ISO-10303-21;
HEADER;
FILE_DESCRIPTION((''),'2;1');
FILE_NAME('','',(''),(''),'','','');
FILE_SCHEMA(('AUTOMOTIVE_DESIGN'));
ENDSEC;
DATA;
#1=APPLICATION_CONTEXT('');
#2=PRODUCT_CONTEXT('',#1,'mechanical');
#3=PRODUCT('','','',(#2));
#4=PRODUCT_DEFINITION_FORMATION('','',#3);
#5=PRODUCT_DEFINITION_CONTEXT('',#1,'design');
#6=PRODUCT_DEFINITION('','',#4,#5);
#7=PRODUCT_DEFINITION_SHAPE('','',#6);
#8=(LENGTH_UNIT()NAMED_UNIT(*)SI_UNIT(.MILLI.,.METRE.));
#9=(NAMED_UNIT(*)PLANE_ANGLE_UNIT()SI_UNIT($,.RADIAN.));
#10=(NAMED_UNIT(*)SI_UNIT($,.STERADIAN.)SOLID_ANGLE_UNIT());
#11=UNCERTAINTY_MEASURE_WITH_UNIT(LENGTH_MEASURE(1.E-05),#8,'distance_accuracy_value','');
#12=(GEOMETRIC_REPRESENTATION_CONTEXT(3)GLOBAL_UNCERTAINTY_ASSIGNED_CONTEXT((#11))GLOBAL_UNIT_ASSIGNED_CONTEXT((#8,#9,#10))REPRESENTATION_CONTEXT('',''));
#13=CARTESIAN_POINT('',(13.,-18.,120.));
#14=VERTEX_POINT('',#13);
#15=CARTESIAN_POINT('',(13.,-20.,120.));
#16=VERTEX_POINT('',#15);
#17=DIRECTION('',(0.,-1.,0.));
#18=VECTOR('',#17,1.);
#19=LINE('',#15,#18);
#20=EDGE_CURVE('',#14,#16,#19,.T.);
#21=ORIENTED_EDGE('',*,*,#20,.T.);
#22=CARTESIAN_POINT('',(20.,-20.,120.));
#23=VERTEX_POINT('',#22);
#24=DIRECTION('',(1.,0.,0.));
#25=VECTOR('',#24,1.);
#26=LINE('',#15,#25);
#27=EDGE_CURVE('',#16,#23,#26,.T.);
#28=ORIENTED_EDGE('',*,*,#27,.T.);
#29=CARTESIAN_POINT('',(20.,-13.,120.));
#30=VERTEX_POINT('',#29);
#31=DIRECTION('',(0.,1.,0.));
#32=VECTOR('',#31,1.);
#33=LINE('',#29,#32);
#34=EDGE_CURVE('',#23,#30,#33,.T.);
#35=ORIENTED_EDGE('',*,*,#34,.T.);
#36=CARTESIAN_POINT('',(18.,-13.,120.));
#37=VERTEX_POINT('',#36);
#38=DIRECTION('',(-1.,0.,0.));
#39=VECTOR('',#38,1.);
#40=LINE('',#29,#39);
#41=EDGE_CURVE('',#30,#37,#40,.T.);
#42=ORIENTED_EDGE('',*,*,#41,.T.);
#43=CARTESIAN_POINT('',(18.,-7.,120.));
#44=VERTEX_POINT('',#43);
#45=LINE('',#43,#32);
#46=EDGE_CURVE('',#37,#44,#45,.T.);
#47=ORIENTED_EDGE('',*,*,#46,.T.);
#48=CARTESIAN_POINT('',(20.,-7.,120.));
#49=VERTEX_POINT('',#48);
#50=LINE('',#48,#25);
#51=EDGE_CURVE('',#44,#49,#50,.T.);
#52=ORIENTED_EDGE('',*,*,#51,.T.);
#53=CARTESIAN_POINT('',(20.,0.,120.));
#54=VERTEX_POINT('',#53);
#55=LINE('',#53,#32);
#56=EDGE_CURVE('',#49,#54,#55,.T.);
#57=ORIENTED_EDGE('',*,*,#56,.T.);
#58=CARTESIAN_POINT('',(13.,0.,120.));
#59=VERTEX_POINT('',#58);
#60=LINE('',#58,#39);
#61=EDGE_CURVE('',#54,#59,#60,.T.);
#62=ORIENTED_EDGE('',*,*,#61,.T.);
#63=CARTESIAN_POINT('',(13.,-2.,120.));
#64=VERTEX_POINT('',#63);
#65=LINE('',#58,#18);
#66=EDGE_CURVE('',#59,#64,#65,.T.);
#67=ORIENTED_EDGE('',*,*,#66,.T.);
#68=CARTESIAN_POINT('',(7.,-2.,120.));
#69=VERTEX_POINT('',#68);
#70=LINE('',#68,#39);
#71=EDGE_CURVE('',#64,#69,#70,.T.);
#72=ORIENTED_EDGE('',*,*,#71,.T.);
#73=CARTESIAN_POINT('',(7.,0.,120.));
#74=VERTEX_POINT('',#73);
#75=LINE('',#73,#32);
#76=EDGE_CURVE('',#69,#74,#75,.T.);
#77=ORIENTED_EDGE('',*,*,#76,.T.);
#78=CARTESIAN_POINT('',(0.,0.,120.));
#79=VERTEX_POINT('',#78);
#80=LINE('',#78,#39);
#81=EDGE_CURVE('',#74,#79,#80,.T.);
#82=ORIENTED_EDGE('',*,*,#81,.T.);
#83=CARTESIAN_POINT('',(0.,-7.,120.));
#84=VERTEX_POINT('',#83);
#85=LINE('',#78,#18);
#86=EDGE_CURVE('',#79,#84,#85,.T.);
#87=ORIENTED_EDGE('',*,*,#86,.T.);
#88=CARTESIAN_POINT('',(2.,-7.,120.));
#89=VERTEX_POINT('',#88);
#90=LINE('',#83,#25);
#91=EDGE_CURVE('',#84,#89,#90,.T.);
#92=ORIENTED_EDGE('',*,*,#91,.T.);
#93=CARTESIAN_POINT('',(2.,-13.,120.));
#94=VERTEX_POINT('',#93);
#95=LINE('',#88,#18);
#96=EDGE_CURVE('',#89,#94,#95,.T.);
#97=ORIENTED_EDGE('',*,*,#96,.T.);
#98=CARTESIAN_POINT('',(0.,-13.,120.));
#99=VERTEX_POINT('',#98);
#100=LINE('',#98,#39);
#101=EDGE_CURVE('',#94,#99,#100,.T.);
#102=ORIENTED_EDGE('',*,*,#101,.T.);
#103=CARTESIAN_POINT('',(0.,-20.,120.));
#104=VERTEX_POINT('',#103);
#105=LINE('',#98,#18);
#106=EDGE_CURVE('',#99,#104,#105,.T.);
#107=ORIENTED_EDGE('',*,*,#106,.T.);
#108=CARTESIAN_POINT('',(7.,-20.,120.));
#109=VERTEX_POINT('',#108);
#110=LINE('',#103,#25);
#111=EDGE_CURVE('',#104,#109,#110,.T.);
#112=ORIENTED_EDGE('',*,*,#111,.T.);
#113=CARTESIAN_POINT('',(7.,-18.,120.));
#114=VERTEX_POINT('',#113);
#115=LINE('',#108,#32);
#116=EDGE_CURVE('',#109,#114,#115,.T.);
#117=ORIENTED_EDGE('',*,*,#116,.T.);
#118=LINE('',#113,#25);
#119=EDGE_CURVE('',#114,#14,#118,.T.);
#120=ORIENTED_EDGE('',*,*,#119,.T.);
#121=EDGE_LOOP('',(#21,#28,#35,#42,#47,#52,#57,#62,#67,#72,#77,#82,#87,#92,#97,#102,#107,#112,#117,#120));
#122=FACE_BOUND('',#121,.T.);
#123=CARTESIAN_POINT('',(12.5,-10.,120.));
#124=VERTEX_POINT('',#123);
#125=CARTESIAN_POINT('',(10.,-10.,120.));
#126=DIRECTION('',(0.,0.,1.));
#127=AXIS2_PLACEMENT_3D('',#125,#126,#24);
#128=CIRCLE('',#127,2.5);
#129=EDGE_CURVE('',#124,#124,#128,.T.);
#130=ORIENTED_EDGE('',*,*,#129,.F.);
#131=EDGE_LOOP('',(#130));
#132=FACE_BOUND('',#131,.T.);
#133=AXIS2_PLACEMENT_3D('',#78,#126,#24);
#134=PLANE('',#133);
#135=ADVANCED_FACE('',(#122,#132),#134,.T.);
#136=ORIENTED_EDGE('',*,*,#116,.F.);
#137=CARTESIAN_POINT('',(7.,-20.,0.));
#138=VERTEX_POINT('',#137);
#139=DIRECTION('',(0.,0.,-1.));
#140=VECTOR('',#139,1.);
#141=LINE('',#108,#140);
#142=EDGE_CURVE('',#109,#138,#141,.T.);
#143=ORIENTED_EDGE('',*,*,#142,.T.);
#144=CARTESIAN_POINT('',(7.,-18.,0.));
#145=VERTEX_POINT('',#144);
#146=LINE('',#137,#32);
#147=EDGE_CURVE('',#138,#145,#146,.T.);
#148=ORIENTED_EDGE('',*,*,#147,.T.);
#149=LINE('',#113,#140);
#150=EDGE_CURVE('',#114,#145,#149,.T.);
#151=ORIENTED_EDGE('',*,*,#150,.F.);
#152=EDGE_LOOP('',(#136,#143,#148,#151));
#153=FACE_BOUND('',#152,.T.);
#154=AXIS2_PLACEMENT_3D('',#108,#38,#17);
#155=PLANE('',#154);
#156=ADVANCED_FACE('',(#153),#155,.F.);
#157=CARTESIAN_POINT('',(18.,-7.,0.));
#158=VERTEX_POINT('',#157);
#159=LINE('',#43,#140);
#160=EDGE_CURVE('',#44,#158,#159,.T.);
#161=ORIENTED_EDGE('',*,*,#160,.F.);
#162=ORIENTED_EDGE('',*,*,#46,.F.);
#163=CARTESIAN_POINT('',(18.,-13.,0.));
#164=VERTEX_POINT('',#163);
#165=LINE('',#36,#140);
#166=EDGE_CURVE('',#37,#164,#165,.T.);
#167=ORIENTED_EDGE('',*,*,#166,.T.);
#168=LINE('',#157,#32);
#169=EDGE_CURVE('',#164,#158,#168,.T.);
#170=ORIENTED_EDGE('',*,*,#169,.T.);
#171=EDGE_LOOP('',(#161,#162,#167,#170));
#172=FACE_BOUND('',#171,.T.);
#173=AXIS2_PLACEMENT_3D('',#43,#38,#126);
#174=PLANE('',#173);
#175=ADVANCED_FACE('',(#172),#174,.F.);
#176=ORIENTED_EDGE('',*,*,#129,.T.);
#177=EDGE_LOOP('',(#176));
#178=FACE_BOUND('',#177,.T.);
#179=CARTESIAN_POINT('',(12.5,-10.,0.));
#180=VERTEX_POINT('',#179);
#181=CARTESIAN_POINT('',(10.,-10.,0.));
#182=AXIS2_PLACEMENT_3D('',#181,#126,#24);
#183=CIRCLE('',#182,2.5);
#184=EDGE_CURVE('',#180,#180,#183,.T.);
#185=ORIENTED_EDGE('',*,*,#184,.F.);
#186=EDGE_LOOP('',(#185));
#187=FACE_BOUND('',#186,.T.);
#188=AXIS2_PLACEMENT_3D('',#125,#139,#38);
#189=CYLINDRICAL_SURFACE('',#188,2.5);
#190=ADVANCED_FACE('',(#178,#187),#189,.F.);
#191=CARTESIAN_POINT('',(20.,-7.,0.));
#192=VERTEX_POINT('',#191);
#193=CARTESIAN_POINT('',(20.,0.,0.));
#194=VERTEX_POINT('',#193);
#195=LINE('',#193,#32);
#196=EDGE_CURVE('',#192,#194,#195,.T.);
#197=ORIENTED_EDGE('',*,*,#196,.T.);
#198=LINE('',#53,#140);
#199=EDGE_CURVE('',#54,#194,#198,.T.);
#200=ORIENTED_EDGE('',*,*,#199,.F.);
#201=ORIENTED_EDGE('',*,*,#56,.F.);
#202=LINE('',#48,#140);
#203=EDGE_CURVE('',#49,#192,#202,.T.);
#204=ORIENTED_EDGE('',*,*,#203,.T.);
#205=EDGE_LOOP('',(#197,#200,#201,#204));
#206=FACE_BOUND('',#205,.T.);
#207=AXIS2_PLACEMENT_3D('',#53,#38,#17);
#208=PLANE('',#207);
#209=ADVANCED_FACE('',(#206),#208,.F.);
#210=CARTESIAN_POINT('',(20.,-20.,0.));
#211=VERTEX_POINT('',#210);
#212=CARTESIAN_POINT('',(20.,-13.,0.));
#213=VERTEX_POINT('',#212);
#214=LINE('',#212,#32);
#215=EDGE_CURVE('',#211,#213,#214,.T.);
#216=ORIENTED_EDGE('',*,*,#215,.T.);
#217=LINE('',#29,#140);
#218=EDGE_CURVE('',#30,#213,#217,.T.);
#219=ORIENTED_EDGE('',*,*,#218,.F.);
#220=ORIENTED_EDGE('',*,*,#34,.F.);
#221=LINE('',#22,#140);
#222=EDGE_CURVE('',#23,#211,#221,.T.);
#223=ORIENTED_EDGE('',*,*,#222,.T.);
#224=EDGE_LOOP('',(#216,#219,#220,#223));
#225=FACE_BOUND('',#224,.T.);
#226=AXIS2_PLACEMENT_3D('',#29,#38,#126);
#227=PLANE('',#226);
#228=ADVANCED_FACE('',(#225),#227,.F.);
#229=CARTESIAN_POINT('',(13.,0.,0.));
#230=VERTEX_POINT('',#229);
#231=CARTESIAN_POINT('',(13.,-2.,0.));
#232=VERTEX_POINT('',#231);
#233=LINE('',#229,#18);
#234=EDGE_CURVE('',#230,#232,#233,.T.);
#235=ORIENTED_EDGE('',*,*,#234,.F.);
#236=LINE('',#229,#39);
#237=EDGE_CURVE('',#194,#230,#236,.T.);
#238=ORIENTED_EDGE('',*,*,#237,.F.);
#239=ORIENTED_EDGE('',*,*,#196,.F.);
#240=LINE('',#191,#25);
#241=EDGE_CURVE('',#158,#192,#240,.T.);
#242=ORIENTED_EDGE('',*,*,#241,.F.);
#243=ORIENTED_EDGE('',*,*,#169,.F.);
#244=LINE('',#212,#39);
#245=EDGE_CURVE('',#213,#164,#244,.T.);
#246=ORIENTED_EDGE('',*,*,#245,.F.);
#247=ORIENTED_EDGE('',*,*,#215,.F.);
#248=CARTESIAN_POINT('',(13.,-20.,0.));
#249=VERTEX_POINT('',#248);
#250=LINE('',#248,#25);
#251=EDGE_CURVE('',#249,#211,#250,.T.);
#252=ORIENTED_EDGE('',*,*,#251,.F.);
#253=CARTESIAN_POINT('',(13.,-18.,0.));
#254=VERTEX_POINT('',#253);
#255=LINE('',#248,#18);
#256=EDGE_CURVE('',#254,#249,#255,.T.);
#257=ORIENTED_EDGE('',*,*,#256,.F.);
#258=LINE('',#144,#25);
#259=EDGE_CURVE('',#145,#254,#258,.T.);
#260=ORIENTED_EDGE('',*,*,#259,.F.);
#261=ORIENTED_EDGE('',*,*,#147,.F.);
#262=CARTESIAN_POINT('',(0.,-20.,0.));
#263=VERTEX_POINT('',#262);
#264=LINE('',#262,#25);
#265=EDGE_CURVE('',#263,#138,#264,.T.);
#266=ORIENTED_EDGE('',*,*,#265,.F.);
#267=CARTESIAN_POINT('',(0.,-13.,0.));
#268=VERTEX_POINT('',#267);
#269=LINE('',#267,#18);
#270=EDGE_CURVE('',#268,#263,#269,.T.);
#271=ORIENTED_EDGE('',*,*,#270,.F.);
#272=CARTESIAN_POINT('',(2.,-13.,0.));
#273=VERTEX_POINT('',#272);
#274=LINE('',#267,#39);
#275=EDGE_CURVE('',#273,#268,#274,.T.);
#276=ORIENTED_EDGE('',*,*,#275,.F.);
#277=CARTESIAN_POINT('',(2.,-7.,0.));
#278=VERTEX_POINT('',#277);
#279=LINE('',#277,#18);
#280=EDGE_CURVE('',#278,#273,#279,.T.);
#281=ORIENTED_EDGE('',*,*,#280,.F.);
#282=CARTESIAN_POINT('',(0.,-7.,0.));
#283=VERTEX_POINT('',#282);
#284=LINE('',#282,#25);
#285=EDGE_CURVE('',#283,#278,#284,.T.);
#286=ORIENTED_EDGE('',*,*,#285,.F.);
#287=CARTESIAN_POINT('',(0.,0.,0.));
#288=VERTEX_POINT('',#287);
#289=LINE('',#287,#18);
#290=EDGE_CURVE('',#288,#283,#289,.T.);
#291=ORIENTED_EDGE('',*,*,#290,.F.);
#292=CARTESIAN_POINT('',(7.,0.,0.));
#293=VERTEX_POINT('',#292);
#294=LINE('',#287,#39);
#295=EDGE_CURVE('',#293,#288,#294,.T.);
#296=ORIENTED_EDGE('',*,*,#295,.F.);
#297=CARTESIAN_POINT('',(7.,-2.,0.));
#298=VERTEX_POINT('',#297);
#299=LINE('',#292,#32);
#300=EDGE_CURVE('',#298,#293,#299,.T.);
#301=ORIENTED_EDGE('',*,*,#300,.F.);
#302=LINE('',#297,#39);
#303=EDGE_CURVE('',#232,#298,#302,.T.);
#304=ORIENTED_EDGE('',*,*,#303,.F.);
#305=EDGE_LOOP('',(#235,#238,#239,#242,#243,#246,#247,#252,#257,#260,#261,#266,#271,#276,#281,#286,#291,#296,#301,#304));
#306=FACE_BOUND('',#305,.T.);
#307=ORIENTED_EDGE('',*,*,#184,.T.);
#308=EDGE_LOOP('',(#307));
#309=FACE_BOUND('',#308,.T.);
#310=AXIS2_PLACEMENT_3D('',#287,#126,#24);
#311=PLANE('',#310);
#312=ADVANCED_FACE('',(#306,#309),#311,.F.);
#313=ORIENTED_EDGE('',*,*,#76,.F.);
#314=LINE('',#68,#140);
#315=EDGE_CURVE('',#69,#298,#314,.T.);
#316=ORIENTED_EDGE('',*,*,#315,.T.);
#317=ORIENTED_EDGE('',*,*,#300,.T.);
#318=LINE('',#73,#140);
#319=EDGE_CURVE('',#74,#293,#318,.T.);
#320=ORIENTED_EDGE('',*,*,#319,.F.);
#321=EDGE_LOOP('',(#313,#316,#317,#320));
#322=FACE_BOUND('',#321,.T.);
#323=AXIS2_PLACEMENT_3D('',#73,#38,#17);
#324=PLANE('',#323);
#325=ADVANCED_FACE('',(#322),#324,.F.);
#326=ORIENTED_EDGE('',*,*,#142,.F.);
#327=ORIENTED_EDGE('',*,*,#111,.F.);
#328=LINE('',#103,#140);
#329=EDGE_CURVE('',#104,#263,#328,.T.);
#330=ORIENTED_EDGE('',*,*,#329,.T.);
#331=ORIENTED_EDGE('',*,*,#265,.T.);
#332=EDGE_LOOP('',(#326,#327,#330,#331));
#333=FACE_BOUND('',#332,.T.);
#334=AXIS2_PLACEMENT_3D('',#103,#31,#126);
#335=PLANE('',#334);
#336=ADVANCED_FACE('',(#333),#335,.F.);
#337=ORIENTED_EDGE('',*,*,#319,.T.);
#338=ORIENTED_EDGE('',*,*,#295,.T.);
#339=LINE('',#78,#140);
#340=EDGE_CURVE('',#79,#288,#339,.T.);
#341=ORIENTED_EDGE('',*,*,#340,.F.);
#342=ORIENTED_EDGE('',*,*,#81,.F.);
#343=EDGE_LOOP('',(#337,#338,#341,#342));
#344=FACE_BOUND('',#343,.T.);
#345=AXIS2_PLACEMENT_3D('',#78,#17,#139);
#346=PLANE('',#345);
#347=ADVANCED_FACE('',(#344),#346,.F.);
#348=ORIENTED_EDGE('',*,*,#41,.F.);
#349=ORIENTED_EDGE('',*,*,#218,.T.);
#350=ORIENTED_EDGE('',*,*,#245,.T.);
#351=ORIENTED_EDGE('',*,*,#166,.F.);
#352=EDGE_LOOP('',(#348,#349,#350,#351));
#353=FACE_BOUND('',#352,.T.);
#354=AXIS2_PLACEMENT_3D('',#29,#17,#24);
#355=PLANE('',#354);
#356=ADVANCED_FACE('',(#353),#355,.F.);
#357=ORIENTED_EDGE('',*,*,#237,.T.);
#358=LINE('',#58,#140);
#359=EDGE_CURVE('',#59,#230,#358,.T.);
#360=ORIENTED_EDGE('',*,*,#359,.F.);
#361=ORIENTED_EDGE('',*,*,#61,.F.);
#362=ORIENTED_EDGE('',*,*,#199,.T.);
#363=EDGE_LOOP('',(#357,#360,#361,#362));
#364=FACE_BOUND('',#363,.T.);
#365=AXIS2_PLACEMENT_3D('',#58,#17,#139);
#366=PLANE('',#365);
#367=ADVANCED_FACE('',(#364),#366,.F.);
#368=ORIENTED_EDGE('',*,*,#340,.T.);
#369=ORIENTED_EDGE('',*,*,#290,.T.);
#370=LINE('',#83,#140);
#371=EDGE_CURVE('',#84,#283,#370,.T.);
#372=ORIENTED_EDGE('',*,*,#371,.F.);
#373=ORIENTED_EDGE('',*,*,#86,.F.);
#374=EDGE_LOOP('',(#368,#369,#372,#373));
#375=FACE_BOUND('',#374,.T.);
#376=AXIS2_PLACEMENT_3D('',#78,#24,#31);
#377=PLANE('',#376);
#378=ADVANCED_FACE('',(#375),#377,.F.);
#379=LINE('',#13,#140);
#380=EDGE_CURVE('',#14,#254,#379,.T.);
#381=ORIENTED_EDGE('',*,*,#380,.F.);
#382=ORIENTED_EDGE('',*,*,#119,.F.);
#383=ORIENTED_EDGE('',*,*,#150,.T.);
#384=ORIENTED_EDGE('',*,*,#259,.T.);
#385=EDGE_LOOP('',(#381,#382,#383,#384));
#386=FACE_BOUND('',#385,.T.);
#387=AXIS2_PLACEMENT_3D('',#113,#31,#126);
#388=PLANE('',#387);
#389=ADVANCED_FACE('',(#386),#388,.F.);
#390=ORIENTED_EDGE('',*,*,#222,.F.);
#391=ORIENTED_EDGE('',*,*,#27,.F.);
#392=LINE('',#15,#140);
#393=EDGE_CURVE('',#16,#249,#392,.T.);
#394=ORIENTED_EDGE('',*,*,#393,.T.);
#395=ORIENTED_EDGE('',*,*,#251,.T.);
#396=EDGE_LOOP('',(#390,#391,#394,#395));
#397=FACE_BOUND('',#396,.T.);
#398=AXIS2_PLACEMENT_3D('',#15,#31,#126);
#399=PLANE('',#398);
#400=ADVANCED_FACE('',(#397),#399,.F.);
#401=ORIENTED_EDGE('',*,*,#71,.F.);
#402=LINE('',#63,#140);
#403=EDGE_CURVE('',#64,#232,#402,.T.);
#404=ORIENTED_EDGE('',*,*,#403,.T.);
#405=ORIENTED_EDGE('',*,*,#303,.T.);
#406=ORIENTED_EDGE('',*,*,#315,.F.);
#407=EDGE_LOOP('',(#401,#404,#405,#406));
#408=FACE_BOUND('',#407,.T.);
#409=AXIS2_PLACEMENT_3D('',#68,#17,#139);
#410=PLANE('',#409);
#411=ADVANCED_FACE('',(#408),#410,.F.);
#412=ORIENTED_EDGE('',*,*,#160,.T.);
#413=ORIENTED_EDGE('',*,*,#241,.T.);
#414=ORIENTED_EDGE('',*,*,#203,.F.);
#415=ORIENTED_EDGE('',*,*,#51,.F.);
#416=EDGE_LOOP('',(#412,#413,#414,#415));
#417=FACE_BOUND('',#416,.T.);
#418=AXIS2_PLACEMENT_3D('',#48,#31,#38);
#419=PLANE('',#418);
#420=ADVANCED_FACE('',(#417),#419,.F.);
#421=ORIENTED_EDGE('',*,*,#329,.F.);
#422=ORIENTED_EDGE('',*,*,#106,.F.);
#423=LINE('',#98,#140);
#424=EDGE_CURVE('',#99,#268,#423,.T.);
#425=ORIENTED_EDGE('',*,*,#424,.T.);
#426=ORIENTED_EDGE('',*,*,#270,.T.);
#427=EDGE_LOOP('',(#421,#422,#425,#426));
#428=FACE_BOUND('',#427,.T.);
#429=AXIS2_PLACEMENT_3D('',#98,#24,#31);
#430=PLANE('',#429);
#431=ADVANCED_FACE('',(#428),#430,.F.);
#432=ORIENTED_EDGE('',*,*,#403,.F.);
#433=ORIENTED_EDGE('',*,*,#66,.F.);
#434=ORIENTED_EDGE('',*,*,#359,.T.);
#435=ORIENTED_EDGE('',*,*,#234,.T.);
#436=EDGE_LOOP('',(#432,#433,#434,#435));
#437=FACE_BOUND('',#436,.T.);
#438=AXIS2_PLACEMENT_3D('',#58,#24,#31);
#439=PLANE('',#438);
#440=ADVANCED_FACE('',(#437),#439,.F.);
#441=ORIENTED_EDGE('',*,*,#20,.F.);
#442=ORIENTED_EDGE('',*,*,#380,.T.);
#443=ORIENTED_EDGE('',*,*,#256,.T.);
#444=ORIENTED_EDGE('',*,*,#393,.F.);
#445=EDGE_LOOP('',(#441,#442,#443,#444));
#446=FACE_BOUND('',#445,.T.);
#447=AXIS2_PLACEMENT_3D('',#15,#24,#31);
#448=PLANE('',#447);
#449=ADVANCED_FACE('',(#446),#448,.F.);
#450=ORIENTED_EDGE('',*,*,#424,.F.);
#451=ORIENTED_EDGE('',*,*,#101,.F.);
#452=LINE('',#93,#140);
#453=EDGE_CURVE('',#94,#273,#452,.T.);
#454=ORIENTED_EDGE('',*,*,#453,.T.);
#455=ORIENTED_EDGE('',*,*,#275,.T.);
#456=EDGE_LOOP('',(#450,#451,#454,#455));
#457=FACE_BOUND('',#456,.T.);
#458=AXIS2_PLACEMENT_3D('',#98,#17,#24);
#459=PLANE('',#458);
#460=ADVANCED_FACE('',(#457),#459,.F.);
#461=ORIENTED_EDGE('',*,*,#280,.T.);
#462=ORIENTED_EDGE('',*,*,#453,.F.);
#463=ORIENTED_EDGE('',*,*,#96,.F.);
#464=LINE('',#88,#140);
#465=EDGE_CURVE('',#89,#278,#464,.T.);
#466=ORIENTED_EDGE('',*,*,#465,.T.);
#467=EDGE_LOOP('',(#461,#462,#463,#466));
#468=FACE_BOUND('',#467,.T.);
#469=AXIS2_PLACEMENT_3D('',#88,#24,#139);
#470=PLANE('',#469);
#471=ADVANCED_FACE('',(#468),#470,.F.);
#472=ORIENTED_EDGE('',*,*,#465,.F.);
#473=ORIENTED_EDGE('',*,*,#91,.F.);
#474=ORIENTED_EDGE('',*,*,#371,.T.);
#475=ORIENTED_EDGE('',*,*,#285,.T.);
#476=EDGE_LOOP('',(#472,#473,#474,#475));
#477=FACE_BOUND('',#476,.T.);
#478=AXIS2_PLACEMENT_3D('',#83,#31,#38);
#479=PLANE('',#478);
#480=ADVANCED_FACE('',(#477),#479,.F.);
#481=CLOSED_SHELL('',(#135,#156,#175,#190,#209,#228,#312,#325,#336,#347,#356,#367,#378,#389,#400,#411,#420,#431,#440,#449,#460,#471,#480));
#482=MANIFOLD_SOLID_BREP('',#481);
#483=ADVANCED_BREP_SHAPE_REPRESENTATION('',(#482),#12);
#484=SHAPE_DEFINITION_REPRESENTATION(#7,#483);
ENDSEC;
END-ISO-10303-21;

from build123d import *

# Parameters (mm, degrees)
SKETCH_1_R      = 2.5
EXTRUDE_1_DEPTH = 120


with BuildPart() as part:
    # 草图1 → 凸台-拉伸1 (new body)
    with BuildSketch(Plane.XY):
        Polygon((0, -13), (0, -20), (7, -20), (7, -18), (13, -18), (13, -20), (20, -20), (20, -13), (18, -13), (18, -7), (20, -7), (20, 0), (13, 0), (13, -2), (7, -2), (7, 0), (0, 0), (0, -7), (2, -7), (2, -13), align=None)
        with Locations((10, -10)):
            Circle(SKETCH_1_R, mode=Mode.SUBTRACT)
    extrude(amount=EXTRUDE_1_DEPTH)


solid = part.part
